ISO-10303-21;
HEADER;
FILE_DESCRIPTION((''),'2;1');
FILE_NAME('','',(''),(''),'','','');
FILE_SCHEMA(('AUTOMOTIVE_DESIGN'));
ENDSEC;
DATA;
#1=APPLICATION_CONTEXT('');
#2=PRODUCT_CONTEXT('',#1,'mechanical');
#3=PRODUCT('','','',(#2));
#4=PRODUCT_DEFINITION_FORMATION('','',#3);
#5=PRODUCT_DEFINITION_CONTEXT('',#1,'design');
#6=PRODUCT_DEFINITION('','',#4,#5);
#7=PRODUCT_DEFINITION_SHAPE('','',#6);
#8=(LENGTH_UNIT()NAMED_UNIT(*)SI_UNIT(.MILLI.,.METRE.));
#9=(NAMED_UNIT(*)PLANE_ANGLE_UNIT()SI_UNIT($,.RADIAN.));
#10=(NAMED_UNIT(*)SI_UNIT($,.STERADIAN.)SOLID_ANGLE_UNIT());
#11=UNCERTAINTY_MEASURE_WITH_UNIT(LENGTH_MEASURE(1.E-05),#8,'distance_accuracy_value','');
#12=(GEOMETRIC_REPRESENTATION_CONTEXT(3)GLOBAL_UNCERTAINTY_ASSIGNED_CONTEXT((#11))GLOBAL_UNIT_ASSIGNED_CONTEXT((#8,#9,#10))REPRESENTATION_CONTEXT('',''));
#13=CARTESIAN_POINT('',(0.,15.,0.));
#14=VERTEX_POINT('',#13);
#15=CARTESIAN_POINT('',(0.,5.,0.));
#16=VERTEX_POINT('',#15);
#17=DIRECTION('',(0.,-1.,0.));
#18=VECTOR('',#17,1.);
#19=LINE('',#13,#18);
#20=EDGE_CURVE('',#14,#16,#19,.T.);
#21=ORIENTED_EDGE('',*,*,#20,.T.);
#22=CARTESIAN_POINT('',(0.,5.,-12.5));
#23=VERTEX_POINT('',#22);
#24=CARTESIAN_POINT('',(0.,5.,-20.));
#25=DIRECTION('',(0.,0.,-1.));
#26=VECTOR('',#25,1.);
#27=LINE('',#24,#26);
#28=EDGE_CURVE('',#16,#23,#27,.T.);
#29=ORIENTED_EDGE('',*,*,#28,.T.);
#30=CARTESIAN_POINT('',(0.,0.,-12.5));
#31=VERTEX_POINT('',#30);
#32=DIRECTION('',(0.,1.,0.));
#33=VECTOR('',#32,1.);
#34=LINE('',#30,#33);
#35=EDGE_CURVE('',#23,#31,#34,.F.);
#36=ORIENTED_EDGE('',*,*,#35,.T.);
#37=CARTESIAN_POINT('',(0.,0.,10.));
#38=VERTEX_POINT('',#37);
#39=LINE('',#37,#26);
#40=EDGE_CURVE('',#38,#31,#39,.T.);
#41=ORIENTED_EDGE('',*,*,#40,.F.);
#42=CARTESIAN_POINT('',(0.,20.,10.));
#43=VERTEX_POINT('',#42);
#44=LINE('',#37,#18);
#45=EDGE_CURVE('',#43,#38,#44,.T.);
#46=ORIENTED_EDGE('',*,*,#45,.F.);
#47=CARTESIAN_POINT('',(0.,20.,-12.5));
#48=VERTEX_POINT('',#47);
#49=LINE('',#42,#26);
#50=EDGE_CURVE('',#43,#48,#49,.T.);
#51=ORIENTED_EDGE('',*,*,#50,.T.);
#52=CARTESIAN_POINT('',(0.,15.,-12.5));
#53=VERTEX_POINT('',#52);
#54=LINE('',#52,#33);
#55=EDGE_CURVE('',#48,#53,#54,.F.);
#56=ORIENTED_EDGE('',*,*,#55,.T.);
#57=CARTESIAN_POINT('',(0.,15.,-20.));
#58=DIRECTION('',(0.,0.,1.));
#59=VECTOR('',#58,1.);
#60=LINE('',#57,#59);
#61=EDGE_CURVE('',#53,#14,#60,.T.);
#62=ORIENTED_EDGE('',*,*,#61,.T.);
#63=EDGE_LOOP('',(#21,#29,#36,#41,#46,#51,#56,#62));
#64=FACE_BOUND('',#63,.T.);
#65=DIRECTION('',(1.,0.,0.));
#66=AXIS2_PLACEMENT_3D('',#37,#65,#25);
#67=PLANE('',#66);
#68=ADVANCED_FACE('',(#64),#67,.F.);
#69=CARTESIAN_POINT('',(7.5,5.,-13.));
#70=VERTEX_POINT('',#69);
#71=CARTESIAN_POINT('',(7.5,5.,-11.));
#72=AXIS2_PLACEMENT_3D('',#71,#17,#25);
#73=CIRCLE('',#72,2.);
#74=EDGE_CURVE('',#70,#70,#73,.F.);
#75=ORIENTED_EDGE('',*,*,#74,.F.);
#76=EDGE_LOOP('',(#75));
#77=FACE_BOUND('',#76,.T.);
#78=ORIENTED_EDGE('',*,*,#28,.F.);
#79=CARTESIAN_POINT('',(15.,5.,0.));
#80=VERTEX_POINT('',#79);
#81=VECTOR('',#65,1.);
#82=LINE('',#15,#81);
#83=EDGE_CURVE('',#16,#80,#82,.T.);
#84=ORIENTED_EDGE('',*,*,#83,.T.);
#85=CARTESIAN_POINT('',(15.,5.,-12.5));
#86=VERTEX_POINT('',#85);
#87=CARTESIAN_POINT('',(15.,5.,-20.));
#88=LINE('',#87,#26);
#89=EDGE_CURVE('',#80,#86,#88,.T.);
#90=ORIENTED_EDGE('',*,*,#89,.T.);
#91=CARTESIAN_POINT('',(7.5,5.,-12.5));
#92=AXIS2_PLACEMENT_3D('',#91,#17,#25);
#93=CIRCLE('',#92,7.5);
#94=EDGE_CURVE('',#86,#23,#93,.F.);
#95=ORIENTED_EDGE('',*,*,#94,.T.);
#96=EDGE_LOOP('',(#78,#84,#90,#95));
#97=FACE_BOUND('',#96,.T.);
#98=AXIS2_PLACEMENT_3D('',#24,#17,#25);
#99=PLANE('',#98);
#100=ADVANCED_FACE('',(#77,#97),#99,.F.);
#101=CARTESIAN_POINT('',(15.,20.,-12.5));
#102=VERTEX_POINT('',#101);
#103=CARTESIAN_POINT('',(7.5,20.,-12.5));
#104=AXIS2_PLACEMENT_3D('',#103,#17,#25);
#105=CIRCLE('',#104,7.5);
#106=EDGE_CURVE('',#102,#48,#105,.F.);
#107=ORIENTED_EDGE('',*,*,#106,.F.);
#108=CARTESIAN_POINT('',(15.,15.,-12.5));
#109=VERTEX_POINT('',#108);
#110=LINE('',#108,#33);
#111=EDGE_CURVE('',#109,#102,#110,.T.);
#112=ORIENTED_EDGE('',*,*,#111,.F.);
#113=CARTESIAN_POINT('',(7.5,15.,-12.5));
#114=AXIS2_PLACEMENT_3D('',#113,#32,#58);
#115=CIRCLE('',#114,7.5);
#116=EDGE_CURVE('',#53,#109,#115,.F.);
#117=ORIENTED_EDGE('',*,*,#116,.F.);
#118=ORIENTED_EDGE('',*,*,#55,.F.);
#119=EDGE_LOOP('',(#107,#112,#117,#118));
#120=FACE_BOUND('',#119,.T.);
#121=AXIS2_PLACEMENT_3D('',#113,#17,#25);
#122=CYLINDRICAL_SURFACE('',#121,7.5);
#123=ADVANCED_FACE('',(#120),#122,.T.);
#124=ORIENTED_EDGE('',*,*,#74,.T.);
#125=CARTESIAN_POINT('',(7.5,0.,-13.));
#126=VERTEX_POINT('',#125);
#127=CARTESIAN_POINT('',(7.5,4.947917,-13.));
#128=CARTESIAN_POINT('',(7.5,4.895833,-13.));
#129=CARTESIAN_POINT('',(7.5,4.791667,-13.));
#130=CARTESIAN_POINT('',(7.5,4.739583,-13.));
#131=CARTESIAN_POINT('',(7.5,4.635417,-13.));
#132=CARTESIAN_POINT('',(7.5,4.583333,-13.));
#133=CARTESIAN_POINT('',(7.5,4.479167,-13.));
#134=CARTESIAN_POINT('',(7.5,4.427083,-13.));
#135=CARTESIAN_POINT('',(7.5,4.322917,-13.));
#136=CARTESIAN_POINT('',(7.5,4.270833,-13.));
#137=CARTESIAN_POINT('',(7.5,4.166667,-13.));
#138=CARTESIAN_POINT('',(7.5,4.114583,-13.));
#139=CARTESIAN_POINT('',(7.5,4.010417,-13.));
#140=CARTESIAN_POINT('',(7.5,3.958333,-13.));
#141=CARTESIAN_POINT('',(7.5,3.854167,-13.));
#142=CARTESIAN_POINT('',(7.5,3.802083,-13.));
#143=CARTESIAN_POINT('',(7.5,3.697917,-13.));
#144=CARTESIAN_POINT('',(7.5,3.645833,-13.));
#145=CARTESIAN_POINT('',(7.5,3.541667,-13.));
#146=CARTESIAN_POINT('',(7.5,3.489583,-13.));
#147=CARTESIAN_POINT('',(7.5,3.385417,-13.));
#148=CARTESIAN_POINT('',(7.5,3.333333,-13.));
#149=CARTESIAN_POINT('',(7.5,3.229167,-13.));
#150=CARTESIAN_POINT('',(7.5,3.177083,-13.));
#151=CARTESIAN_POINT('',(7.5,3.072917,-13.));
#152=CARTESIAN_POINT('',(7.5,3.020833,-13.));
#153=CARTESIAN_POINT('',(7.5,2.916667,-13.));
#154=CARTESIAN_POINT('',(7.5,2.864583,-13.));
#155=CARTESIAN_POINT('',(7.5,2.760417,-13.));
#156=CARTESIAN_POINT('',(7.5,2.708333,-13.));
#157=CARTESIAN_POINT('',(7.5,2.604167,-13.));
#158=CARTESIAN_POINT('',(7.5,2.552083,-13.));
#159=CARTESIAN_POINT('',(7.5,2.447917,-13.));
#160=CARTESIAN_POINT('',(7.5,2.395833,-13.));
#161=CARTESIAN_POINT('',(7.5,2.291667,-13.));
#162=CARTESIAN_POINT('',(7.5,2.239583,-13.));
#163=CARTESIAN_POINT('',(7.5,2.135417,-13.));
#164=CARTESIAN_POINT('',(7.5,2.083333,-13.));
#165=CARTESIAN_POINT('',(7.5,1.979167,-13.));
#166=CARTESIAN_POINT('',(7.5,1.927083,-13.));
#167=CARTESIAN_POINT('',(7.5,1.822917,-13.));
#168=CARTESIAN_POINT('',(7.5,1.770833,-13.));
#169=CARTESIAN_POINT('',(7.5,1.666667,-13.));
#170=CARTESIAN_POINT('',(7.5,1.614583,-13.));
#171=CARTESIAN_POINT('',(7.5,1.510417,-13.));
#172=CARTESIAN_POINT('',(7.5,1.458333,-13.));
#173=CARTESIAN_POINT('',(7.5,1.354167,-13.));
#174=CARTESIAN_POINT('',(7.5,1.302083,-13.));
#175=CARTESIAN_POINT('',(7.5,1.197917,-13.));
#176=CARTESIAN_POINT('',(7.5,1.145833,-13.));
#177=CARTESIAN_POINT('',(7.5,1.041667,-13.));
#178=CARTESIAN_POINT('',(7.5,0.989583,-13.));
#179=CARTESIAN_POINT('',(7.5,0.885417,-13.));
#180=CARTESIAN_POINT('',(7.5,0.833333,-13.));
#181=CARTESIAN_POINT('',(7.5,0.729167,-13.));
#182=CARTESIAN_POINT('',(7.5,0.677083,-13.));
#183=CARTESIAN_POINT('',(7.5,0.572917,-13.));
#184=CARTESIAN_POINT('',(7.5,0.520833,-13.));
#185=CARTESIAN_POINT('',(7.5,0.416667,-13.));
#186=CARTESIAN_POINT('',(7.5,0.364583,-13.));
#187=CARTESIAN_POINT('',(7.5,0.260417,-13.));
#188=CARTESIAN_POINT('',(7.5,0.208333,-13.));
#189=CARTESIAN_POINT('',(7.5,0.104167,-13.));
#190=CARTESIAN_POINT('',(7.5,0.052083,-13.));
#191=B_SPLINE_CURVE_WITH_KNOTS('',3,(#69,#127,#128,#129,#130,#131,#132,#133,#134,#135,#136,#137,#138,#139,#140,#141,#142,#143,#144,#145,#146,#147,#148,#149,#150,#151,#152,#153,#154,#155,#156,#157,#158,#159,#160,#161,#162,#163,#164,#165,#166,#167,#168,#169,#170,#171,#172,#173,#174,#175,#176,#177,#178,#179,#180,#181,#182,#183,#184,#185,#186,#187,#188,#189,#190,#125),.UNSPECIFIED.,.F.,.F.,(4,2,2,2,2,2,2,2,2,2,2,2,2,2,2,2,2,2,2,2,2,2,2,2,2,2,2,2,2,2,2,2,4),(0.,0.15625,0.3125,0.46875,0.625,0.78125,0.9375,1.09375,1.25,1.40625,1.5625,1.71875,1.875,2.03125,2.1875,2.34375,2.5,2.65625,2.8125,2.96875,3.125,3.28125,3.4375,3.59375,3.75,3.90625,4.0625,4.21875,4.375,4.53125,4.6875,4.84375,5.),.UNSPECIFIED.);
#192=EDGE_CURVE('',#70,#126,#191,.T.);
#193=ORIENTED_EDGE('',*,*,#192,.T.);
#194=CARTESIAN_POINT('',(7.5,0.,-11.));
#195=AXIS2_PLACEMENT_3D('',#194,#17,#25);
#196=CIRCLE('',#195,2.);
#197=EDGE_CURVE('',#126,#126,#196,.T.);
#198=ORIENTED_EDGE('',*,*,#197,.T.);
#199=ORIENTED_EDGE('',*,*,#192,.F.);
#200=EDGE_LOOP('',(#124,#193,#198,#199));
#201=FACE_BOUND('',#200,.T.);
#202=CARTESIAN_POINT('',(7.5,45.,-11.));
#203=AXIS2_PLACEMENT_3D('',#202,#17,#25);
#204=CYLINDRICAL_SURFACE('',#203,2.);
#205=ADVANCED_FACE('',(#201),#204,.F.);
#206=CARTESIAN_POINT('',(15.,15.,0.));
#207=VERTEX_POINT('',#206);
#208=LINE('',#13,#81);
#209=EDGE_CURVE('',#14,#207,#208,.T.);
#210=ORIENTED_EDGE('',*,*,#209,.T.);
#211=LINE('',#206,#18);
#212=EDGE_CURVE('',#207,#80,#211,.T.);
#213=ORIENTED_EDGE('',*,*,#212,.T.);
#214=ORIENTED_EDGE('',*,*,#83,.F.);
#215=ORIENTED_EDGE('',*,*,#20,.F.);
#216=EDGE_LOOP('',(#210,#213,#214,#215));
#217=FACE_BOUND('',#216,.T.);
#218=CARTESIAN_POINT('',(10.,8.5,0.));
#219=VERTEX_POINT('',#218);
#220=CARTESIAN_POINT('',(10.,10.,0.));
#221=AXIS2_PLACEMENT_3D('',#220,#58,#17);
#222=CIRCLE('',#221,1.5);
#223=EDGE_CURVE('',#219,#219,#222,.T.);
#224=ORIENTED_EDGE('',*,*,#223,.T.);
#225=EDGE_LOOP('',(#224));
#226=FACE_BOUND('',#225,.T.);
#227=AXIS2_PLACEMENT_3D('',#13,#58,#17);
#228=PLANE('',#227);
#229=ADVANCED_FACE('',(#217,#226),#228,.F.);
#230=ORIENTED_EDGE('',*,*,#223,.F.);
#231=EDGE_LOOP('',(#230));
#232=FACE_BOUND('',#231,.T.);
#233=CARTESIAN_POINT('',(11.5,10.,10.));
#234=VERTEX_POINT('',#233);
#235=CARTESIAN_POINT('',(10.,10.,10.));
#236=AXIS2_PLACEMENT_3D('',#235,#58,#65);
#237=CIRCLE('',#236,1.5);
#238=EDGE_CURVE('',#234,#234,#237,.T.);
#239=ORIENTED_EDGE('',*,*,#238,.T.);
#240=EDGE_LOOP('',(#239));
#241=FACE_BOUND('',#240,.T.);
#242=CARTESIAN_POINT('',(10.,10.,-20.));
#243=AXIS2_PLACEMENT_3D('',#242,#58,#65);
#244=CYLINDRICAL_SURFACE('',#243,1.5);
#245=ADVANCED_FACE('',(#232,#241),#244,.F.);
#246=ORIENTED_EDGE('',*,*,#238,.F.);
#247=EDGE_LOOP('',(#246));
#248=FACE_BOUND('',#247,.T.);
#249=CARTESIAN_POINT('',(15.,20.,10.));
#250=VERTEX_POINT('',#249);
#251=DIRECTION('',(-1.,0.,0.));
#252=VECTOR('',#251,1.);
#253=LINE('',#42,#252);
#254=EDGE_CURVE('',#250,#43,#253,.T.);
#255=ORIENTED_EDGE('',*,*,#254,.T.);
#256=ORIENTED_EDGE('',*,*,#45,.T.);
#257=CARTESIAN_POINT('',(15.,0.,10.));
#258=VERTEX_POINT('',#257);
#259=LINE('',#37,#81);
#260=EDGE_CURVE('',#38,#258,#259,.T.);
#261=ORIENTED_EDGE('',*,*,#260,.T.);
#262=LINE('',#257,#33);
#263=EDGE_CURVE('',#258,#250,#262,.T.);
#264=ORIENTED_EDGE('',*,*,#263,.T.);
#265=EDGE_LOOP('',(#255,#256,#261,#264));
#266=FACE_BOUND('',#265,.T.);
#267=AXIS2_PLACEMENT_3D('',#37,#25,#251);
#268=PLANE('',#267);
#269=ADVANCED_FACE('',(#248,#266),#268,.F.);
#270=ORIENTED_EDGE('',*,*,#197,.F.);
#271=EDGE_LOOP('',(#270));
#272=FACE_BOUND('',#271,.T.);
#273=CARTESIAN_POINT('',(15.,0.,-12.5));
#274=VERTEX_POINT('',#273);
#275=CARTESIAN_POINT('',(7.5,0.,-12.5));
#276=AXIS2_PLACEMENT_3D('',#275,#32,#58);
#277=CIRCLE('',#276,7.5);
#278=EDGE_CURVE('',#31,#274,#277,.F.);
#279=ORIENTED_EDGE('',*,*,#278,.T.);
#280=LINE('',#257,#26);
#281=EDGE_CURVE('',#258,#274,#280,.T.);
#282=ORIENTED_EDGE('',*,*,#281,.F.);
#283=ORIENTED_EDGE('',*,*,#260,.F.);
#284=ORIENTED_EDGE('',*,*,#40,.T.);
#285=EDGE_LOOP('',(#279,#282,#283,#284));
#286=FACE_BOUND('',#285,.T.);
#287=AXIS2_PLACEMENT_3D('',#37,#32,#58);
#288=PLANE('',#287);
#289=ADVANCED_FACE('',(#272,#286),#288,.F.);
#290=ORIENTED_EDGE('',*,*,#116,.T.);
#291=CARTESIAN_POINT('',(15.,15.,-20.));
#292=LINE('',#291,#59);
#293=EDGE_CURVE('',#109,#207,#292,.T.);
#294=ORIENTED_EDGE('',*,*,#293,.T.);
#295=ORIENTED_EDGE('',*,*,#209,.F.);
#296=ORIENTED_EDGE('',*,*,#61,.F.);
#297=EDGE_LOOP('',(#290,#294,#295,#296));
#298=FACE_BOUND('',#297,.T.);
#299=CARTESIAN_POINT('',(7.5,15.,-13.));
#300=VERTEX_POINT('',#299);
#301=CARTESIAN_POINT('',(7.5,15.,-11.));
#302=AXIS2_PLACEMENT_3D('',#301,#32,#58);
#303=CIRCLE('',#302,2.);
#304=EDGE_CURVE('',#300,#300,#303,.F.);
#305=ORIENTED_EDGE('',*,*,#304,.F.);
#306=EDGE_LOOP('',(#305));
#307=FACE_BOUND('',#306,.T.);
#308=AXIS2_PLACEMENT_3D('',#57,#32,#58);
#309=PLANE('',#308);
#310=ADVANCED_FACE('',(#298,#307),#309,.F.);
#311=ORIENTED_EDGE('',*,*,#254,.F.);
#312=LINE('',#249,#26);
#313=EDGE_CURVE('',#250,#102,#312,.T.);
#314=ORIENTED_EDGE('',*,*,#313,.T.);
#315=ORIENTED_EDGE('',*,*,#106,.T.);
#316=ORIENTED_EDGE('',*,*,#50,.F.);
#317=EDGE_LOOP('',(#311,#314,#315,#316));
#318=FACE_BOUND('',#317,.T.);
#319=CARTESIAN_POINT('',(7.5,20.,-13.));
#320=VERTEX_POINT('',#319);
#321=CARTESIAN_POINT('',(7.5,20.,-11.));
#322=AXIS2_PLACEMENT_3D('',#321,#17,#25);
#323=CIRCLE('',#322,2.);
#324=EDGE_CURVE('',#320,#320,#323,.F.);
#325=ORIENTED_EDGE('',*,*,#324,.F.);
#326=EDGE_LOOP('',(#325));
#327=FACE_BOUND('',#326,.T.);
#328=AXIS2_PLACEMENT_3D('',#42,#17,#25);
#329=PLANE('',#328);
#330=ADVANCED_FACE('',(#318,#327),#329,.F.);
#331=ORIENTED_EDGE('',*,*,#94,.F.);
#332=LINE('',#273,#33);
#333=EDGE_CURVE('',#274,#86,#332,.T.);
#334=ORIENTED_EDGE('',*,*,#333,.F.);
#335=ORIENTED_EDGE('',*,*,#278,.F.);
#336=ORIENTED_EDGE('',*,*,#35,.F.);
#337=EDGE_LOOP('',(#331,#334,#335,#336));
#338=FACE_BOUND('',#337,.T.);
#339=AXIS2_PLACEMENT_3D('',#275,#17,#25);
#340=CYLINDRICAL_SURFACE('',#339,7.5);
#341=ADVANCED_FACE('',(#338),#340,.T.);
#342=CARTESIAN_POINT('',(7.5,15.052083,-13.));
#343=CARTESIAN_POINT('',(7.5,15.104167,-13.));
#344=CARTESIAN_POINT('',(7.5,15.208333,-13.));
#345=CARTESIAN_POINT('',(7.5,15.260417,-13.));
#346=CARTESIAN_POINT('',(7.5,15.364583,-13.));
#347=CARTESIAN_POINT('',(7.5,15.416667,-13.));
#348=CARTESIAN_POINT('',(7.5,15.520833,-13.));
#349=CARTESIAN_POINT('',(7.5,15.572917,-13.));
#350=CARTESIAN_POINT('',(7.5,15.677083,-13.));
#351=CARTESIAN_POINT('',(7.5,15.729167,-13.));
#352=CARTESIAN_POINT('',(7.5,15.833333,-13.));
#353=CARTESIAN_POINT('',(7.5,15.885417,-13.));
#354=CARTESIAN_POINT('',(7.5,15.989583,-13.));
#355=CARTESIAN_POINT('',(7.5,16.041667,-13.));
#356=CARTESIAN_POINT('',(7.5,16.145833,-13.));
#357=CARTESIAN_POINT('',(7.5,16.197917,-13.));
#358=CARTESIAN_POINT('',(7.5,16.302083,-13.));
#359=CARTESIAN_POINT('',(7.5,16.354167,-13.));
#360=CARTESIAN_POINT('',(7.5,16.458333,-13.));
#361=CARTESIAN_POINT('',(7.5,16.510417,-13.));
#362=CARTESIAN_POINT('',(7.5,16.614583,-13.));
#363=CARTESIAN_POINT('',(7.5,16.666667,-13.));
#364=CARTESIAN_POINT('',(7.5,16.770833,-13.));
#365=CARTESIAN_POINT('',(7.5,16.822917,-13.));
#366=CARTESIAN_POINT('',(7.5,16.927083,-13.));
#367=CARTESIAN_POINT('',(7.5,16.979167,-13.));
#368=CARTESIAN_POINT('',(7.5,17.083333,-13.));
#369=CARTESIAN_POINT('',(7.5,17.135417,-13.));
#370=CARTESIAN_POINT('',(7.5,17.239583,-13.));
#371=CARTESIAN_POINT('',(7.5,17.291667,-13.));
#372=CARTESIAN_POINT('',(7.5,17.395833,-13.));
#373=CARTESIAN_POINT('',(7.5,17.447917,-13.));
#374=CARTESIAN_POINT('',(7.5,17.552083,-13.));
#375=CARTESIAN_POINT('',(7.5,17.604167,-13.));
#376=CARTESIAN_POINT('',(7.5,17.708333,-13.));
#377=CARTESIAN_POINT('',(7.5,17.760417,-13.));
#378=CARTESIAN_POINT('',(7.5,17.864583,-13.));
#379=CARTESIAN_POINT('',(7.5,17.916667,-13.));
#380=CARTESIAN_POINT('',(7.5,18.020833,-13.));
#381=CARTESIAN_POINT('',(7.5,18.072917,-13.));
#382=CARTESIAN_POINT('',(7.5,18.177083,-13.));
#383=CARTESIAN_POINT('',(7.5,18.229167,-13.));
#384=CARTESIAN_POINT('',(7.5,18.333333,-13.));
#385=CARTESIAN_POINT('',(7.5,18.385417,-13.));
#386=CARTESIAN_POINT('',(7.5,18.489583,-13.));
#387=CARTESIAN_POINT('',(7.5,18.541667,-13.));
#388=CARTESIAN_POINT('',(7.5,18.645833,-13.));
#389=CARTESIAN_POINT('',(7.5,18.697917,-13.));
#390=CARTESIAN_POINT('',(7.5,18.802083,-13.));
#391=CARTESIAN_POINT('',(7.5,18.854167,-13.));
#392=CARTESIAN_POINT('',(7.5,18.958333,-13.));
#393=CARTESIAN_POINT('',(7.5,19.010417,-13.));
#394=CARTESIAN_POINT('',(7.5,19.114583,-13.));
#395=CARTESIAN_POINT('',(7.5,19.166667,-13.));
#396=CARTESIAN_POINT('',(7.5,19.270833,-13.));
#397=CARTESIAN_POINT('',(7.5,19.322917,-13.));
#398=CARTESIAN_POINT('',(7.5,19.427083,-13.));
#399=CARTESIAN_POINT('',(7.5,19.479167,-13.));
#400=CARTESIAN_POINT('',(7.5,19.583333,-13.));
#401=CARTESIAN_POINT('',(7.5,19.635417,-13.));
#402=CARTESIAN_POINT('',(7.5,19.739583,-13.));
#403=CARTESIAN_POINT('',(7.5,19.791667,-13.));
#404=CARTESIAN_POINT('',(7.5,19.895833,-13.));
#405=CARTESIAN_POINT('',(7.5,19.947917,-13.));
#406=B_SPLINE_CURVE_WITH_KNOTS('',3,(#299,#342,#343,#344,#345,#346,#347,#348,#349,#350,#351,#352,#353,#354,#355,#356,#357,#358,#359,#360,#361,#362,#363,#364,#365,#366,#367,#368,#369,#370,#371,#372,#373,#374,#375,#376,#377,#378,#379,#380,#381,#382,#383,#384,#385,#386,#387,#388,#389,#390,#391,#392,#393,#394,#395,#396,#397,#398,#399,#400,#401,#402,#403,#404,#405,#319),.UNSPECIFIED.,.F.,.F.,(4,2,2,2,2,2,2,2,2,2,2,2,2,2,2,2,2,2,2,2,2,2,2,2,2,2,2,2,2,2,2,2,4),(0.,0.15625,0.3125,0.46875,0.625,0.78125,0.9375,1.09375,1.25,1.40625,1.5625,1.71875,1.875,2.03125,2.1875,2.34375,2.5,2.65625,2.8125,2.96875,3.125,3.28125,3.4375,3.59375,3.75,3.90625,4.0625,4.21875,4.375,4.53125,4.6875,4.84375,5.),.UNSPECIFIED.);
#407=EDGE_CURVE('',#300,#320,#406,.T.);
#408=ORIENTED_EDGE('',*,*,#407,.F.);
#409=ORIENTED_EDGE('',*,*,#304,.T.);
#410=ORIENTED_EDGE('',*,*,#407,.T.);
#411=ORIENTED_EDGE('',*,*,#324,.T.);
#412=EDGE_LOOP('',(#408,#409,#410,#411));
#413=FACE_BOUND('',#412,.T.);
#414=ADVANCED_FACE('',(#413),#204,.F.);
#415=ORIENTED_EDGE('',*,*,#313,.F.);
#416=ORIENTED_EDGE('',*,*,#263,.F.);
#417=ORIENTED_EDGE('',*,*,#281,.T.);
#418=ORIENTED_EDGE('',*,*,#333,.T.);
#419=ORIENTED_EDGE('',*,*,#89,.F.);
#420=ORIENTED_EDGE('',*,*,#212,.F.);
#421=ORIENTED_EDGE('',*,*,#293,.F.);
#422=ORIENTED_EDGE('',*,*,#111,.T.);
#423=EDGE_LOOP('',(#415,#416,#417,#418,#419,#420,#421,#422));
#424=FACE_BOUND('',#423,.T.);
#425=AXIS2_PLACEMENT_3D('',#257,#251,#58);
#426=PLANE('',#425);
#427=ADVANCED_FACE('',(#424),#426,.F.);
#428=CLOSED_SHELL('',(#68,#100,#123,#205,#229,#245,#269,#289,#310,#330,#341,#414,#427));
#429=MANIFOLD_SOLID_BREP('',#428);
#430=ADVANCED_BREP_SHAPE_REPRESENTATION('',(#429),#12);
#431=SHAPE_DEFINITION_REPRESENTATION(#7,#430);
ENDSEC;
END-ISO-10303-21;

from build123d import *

# Parameters (mm, degrees)
SKETCH_1_W          = 15
SKETCH_1_H          = 20
EXTRUDE_1_DEPTH     = 10
SKETCH_2_W          = 15
SKETCH_2_H          = 20
SKETCH_2_R          = 2
EXTRUDE_2_DEPTH     = 20
SKETCH_3_W          = 20
SKETCH_3_H          = 10
CUT_EXTRUDE_1_DEPTH = 33.015621187
FILLET_1_RADIUS     = 7.5
FILLET_1_LENGTH     = 5
FILLET_2_RADIUS     = 7.5
FILLET_2_LENGTH     = 5
SKETCH_4_R          = 1.5
CUT_EXTRUDE_2_DEPTH = 40.05124838


with BuildPart() as part:
    # 草图1 → 凸台-拉伸1 (new body)
    with BuildSketch(Plane.XY):
        with Locations((7.5, 10)):
            Rectangle(SKETCH_1_W, SKETCH_1_H)
    extrude(amount=EXTRUDE_1_DEPTH)

    # 草图2 → 凸台-拉伸2 (add)
    with BuildSketch(Plane.XZ):
        with Locations((7.5, -10)):
            Rectangle(SKETCH_2_W, SKETCH_2_H)
        with Locations(Location((7.5, -11, 0), (0, 0, 270))):
            Circle(SKETCH_2_R, mode=Mode.SUBTRACT)
    extrude(amount=-EXTRUDE_2_DEPTH)

    # 草图3 → 切除-拉伸1 (cut, through all)
    with BuildSketch(Plane(origin=(15, 0, 0), x_dir=(0, 0, -1), z_dir=(1, 0, 0))):
        with Locations((10, 10)):
            Rectangle(SKETCH_3_W, SKETCH_3_H)
    extrude(amount=-CUT_EXTRUDE_1_DEPTH, mode=Mode.SUBTRACT)

    # 圆角1: full round fillet: the end face becomes a half cylinder, R = half its width
    fillet_1_face = Plane((7.5, 17.5, -20), x_dir=(0, 1, 0), z_dir=(0, 0, -1))  # on the end face: x along it, z out of the body
    fillet_1_slab = fillet_1_face.offset(-FILLET_1_RADIUS / 2) * Box(FILLET_1_LENGTH, 2 * FILLET_1_RADIUS, FILLET_1_RADIUS, mode=Mode.PRIVATE)  # the body's end, R deep
    fillet_1_round = Plane((7.5, 17.5, -12.5), x_dir=(0, 0, -1), z_dir=(0, 1, 0)) * Cylinder(FILLET_1_RADIUS, FILLET_1_LENGTH, mode=Mode.PRIVATE)  # its axis R under the face
    add(fillet_1_slab - fillet_1_round, mode=Mode.SUBTRACT)

    # 圆角2: full round fillet: the end face becomes a half cylinder, R = half its width
    fillet_2_face = Plane((7.5, 2.5, -20), x_dir=(0, -1, 0), z_dir=(0, 0, -1))  # on the end face: x along it, z out of the body
    fillet_2_slab = fillet_2_face.offset(-FILLET_2_RADIUS / 2) * Box(FILLET_2_LENGTH, 2 * FILLET_2_RADIUS, FILLET_2_RADIUS, mode=Mode.PRIVATE)  # the body's end, R deep
    fillet_2_round = Plane((7.5, 2.5, -12.5), x_dir=(0, 0, -1), z_dir=(0, -1, 0)) * Cylinder(FILLET_2_RADIUS, FILLET_2_LENGTH, mode=Mode.PRIVATE)  # its axis R under the face
    add(fillet_2_slab - fillet_2_round, mode=Mode.SUBTRACT)

    # 草图4 → 切除-拉伸2 (cut, through all)
    with BuildSketch(Plane.XY.offset(10)):
        with Locations((10, 10)):
            Circle(SKETCH_4_R)
    extrude(amount=-CUT_EXTRUDE_2_DEPTH, mode=Mode.SUBTRACT)


solid = part.part
